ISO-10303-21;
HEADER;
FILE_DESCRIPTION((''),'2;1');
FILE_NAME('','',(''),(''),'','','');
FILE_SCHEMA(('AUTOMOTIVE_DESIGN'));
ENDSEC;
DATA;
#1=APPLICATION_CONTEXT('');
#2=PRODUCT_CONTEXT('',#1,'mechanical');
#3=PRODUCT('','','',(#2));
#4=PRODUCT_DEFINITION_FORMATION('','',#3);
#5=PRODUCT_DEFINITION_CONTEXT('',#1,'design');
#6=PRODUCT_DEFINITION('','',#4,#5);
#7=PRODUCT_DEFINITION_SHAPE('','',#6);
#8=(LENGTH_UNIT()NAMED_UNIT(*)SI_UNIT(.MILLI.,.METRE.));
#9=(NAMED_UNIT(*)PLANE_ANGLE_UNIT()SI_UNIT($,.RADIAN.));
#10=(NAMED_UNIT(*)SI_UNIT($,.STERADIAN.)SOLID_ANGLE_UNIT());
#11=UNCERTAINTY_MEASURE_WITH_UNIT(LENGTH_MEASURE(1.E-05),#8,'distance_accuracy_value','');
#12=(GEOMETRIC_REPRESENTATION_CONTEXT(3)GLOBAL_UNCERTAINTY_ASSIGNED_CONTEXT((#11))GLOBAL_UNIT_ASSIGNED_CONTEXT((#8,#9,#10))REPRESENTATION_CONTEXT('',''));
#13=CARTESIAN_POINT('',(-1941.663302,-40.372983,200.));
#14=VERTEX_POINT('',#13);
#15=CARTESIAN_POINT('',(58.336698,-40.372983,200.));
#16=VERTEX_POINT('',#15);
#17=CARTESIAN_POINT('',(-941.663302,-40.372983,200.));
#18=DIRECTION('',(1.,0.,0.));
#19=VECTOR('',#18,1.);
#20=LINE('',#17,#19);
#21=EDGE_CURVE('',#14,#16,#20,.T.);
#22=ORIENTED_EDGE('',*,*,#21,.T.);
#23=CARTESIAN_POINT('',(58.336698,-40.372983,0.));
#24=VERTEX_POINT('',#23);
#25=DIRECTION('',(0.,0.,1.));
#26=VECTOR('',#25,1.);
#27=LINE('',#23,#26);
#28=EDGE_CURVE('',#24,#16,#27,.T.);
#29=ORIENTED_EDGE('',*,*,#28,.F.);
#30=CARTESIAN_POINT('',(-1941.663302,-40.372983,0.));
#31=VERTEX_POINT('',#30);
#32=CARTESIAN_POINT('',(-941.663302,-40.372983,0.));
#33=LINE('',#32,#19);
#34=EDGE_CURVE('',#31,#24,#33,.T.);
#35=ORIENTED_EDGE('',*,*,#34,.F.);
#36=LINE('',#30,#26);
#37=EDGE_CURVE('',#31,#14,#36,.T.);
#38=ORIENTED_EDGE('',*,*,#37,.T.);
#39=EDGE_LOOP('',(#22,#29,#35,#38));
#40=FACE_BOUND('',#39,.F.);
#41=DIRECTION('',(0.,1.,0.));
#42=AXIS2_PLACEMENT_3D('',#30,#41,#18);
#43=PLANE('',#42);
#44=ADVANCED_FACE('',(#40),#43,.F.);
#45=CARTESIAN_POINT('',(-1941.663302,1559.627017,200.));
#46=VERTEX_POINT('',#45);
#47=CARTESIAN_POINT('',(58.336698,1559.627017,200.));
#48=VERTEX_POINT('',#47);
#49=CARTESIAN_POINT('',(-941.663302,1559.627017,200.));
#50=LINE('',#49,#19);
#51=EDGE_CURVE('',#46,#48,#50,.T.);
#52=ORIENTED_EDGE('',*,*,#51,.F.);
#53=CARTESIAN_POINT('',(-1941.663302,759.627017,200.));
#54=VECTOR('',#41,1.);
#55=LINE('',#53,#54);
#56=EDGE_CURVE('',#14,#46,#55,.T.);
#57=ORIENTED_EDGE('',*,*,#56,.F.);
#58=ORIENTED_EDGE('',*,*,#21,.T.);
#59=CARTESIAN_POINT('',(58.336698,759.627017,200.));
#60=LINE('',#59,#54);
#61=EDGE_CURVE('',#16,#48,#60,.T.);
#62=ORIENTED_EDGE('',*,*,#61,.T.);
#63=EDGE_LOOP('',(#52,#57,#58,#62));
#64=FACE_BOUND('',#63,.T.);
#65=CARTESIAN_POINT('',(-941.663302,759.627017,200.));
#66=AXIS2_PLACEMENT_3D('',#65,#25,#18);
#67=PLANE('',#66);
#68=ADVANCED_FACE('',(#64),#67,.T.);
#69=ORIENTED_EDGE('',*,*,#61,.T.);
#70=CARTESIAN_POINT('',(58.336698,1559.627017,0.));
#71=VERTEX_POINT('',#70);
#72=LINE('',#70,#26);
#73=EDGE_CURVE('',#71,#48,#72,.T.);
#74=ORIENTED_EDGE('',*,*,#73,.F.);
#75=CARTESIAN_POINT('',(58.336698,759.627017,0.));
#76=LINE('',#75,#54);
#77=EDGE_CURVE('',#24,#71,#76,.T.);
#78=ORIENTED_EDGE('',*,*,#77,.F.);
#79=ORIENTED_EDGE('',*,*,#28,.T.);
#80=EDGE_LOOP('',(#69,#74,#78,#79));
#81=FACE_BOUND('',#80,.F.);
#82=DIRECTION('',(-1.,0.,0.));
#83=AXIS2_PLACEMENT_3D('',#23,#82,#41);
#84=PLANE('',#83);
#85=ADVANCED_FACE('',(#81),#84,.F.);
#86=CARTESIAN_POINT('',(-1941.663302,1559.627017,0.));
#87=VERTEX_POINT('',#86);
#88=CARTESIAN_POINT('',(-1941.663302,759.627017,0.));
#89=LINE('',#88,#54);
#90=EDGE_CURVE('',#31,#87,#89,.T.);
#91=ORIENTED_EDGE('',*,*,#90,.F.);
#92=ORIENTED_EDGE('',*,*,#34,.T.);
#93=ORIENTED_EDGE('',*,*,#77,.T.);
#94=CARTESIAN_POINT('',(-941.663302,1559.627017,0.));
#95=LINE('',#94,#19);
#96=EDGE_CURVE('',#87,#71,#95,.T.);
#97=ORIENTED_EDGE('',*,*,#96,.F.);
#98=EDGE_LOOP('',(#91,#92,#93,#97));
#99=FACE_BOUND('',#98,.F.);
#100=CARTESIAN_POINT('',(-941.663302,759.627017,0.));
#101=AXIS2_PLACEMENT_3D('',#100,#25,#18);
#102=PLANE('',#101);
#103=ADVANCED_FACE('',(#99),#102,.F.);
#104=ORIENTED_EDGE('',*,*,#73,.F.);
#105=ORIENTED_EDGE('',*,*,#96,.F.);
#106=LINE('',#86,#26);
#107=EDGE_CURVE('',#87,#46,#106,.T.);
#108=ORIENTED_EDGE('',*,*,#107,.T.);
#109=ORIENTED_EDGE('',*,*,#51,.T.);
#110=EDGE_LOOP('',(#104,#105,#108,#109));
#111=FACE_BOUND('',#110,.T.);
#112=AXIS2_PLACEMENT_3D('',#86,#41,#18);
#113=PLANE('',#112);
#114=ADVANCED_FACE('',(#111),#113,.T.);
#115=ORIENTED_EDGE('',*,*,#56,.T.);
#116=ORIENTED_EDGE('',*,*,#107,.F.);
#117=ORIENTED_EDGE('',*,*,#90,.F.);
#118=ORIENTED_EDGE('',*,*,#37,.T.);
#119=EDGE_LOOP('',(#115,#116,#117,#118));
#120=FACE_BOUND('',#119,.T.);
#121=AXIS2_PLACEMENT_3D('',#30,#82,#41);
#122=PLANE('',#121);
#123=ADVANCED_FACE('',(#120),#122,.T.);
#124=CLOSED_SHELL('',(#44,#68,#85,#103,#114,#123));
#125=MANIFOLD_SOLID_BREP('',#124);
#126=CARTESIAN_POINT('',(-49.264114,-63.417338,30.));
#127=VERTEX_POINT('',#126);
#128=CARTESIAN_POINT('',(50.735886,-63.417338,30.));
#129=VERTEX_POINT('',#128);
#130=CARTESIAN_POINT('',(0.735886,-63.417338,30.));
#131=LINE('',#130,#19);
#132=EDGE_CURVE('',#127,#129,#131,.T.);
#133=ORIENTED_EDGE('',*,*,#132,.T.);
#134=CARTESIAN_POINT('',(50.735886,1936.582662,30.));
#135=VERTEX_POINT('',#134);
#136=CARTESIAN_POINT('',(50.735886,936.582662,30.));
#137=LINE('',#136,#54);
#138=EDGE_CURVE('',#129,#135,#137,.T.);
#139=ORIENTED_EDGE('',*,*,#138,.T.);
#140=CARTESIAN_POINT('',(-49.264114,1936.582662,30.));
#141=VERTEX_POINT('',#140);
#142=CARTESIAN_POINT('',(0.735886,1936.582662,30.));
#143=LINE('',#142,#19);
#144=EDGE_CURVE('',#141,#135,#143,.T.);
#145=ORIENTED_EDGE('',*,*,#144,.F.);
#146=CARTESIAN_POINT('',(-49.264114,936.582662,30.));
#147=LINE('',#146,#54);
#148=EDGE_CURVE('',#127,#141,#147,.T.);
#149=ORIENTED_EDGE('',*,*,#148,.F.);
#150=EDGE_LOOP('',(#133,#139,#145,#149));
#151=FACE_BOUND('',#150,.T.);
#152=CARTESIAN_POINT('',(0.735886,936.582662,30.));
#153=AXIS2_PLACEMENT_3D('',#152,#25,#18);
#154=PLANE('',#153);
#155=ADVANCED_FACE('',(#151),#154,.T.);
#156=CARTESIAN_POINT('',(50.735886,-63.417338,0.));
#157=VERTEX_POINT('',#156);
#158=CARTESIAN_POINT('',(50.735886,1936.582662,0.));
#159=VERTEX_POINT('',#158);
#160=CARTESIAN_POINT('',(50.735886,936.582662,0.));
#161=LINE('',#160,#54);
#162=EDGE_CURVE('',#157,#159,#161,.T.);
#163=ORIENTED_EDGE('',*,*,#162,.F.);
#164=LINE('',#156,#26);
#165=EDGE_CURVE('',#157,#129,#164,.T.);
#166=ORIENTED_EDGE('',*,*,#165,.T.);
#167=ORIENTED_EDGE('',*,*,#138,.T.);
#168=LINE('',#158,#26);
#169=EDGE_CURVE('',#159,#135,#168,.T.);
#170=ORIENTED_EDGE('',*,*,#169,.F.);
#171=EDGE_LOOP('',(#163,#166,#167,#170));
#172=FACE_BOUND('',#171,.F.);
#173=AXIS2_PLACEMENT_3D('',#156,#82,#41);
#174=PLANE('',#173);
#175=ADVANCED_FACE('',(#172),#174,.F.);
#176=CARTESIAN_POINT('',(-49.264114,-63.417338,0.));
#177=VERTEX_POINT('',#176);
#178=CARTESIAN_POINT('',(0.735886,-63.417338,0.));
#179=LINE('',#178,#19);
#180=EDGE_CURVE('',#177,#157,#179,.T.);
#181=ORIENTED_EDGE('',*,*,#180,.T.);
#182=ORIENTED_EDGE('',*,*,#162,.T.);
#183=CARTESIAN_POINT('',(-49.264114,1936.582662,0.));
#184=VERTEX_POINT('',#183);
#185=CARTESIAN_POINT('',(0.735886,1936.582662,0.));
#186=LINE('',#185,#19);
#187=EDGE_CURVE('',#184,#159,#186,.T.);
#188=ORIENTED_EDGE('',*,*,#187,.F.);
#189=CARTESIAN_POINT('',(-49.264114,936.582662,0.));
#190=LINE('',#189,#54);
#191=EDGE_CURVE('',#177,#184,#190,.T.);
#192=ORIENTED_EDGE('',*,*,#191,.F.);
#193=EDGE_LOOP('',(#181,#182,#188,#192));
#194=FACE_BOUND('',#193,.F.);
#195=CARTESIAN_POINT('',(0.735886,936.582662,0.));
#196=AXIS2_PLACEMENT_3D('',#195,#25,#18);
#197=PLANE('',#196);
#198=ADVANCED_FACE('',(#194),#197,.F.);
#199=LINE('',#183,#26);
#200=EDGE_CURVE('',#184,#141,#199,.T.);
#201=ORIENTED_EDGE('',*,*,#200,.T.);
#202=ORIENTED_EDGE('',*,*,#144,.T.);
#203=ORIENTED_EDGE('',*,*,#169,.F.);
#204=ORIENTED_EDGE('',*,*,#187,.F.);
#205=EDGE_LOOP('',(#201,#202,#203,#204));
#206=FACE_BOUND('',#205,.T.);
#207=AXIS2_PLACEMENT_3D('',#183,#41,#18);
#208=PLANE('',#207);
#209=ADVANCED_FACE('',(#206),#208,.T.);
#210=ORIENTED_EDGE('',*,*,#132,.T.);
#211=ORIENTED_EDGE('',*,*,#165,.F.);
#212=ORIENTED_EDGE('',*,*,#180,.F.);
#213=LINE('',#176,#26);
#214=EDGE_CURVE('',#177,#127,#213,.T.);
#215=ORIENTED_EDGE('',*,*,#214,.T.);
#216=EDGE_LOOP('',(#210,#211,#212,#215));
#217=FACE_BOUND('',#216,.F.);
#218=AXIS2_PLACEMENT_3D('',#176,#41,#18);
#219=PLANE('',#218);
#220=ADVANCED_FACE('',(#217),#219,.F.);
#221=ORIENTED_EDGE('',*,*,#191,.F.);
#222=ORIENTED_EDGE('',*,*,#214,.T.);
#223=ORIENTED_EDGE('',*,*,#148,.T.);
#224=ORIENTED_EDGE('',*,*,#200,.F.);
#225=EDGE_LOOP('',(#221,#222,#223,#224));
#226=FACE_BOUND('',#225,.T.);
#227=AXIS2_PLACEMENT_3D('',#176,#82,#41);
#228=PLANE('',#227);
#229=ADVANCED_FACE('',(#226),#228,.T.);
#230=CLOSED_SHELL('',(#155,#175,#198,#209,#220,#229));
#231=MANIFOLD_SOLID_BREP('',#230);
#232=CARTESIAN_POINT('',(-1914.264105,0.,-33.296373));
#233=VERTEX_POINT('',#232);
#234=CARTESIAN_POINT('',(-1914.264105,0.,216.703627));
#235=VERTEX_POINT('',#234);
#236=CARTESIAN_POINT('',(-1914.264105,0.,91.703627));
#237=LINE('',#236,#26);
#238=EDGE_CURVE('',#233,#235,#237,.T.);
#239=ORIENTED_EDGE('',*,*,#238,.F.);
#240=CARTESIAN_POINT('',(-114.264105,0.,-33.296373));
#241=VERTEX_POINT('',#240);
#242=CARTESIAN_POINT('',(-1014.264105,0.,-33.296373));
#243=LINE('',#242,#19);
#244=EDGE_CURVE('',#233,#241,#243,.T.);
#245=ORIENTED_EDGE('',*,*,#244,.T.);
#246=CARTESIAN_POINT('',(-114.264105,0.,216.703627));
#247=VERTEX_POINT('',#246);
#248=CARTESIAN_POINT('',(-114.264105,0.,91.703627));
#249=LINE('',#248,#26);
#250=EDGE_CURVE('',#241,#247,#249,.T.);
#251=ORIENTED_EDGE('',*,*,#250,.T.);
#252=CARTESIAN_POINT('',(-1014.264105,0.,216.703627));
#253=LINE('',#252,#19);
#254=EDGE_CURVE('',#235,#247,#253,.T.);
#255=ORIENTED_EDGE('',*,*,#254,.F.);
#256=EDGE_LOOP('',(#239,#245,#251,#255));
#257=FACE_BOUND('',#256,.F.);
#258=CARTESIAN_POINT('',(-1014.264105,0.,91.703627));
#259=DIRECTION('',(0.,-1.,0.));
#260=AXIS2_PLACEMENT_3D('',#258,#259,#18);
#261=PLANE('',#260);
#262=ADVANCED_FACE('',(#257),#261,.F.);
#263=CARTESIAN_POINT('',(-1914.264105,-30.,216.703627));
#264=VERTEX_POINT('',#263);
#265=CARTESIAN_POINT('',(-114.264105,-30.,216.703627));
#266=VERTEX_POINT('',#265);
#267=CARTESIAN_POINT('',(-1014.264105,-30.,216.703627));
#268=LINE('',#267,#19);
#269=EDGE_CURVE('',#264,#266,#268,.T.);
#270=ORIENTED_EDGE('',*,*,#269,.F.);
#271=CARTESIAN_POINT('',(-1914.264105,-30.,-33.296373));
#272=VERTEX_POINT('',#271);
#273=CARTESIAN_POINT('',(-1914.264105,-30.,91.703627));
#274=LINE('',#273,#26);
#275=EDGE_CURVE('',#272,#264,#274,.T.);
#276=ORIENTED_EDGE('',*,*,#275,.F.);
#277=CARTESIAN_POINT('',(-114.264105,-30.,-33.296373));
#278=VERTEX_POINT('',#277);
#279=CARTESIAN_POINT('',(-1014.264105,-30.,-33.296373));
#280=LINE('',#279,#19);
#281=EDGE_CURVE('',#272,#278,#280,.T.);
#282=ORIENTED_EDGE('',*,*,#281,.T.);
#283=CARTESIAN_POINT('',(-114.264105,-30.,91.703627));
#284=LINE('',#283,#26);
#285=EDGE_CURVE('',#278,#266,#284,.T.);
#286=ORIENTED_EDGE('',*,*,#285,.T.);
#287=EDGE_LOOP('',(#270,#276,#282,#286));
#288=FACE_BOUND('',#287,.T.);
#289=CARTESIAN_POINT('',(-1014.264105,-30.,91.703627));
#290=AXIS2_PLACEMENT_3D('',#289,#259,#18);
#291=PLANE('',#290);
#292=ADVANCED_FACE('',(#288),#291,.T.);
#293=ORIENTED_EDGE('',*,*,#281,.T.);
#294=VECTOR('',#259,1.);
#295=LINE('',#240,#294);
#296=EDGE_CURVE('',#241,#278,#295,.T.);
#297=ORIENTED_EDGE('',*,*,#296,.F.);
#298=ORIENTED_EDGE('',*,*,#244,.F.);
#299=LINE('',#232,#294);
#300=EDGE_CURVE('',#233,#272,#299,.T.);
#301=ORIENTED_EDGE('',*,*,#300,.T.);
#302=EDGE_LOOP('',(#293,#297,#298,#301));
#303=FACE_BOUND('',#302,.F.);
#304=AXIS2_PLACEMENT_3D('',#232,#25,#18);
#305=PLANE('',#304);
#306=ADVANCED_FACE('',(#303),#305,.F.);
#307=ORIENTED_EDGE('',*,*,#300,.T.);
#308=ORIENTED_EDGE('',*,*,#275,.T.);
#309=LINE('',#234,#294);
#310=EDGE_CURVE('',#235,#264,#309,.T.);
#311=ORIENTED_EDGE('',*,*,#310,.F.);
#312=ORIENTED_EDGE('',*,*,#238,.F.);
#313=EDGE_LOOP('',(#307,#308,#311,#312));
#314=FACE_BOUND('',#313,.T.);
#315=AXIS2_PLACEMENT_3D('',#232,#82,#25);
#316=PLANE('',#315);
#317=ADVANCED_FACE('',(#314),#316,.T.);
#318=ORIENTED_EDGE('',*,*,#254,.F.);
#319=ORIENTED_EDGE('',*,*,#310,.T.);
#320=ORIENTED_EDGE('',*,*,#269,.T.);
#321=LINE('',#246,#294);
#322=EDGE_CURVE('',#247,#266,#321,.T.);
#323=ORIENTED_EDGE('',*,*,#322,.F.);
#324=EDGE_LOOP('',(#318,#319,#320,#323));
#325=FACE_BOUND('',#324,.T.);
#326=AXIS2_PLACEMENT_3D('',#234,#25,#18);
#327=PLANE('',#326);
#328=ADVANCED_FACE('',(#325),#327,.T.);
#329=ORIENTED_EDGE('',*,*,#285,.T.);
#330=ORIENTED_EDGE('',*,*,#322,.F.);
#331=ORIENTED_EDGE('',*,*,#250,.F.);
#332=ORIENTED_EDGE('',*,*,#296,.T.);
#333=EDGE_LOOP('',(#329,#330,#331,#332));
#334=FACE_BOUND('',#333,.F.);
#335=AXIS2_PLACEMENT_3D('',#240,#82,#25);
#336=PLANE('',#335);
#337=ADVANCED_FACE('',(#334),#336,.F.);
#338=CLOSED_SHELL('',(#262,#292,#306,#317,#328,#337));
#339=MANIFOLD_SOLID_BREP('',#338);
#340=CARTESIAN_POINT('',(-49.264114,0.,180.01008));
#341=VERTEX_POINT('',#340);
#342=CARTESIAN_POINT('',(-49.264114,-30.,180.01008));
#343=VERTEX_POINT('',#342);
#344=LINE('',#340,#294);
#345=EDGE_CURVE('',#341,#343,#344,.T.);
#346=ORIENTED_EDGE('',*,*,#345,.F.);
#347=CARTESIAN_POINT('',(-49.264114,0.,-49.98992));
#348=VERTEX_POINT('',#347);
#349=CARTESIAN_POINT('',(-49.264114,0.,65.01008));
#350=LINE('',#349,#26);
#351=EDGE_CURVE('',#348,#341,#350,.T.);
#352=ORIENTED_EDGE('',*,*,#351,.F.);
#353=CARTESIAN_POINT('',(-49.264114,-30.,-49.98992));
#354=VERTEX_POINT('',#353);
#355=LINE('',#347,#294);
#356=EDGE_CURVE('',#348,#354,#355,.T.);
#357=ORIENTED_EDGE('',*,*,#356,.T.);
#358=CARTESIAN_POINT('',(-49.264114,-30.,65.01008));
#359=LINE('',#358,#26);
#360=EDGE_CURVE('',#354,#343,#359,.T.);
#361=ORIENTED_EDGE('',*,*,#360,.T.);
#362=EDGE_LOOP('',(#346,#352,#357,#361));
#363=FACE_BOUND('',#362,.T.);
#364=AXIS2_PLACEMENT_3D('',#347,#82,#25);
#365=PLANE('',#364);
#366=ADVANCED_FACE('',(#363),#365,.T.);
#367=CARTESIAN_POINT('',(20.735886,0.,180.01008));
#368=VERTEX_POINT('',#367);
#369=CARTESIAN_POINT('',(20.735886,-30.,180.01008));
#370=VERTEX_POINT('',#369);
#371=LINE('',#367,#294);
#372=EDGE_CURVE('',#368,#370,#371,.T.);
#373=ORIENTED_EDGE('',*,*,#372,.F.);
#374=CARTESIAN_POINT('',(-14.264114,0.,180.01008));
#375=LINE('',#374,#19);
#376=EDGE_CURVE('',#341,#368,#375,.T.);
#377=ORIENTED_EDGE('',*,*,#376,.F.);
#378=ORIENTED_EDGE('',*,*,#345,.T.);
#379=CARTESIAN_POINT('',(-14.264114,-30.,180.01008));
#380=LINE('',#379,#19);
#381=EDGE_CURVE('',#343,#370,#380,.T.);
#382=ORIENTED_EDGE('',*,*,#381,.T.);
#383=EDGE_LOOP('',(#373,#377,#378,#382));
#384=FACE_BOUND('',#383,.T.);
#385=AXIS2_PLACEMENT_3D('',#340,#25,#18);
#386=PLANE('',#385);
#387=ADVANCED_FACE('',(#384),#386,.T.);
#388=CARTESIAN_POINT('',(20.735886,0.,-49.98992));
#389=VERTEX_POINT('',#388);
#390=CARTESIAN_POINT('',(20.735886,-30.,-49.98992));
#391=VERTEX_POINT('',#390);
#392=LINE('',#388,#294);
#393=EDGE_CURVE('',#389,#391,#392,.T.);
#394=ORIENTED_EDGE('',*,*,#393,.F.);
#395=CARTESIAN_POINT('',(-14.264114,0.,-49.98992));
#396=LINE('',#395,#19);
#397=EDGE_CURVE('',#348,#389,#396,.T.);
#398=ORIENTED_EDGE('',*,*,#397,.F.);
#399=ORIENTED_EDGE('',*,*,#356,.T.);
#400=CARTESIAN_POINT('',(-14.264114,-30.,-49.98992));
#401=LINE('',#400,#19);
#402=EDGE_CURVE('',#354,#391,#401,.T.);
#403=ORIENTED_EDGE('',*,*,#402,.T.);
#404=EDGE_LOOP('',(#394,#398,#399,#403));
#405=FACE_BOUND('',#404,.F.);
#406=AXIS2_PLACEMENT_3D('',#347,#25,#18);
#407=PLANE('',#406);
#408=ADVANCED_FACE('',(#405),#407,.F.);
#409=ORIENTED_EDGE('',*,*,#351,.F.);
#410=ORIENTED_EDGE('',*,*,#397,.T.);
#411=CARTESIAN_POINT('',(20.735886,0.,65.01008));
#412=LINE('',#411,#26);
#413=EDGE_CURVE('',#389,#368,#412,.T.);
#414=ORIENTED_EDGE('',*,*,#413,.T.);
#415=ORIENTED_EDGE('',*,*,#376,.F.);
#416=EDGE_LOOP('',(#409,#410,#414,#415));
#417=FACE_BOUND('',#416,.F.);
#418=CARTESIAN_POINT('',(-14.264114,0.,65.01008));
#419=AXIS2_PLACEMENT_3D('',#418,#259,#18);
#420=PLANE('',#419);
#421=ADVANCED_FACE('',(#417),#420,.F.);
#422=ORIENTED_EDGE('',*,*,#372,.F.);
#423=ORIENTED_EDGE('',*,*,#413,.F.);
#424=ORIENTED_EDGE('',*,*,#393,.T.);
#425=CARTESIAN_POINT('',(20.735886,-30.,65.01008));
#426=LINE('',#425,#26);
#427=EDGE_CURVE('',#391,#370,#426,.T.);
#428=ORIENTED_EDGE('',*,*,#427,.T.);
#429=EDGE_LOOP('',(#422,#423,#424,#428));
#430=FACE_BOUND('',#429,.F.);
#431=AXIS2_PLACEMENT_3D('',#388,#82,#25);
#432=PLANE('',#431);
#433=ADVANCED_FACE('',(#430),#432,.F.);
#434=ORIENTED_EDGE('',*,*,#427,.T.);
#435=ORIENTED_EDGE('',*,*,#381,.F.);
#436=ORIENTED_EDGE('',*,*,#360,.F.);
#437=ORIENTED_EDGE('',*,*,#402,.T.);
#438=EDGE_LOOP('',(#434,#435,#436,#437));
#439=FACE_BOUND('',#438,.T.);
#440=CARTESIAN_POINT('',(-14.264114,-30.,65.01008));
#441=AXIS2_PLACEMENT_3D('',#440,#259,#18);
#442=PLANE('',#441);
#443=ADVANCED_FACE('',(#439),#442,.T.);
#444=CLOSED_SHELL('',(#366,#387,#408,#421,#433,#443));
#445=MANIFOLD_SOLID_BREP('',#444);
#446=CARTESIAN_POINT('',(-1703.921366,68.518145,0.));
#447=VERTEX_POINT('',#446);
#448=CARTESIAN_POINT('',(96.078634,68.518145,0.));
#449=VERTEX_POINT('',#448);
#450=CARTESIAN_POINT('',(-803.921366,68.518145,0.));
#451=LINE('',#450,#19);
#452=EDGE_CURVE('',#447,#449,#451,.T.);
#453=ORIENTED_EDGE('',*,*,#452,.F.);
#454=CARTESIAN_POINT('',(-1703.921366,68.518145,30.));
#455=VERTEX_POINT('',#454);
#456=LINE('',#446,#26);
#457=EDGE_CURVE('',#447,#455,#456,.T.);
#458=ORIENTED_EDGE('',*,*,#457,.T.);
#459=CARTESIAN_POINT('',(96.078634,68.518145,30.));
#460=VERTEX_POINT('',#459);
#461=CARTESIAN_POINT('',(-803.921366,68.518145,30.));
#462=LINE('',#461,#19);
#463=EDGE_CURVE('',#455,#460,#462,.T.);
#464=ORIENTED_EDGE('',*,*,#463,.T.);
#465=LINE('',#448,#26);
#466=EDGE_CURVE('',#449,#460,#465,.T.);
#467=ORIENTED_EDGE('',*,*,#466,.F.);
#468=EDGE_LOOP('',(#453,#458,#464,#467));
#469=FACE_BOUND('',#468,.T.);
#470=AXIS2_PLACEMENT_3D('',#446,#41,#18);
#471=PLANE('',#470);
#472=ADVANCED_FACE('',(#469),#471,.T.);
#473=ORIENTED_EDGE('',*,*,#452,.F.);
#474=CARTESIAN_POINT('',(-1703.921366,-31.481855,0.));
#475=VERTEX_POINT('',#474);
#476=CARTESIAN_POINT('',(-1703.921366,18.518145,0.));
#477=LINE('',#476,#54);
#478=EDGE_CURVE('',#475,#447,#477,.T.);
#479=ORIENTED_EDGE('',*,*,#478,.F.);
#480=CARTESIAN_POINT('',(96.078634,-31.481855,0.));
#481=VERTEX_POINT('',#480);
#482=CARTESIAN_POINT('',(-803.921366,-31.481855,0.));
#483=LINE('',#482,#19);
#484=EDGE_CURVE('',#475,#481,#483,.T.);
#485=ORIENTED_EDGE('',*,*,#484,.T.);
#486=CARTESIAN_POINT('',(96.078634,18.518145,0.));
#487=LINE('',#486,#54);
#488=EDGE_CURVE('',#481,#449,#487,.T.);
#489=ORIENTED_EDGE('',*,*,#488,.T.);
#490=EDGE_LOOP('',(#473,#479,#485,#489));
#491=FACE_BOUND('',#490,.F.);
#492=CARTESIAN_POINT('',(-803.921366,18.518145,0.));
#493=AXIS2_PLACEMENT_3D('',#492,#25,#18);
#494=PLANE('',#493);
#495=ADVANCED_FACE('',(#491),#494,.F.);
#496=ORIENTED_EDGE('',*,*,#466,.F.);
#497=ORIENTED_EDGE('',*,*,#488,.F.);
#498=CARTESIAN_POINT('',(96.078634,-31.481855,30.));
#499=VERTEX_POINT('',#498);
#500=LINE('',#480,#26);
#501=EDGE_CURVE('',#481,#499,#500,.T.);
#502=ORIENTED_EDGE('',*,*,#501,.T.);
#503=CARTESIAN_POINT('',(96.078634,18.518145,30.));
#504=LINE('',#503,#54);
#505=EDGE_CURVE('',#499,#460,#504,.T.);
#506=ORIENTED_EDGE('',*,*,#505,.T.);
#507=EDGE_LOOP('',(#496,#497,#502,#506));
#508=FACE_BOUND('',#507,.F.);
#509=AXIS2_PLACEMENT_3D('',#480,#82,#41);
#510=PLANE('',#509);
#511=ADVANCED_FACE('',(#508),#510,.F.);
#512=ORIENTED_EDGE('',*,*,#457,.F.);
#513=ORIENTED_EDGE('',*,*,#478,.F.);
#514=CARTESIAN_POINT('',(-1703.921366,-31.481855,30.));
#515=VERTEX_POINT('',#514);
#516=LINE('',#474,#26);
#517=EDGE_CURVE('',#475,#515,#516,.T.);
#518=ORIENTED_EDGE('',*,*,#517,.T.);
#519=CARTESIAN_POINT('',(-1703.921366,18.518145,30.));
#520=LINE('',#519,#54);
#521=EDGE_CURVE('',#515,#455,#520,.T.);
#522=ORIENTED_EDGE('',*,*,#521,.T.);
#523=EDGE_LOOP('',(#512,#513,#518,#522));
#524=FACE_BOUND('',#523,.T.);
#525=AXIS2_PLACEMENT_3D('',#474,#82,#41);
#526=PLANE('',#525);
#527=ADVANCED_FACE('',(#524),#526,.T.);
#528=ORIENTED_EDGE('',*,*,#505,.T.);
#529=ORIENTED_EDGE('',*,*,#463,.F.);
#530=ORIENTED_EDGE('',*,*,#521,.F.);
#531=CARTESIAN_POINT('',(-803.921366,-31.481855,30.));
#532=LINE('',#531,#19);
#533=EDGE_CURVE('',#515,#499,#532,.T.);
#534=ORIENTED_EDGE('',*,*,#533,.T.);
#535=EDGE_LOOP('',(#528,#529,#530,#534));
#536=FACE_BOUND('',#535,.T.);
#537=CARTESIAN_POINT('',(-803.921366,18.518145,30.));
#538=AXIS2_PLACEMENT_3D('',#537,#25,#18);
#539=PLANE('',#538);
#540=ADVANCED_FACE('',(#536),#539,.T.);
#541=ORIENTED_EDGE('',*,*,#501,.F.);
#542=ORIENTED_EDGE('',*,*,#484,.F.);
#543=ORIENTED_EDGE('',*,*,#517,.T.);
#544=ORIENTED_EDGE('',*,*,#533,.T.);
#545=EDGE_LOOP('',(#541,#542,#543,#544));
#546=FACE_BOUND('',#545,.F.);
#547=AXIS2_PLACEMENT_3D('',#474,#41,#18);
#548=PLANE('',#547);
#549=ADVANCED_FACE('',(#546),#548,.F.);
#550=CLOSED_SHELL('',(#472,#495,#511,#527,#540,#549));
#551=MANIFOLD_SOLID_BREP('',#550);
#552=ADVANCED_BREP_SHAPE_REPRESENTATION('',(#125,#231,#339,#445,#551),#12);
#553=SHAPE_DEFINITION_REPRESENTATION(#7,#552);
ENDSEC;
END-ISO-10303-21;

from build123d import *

# Parameters (mm, degrees)
F0_W     = 1800
F0_H     = 250
F1_DEPTH = 30
F2_W     = 100
F2_H     = 2000
F3_DEPTH = 30
F4_W     = 70
F4_H     = 230
F5_DEPTH = 30
F6_W     = 2000
F6_H     = 1600
F7_DEPTH = 200
F8_W     = 1800
F8_H     = 100
F9_DEPTH = 30


with BuildPart() as f1:
    # F0 (on Front) → F1 (new body)
    with BuildSketch(Plane.XZ):
        with Locations((-1014.264105, 91.703627)):
            Rectangle(F0_W, F0_H)
    extrude(amount=F1_DEPTH)


with BuildPart() as f3:
    # F2 (on Top) → F3 (new body)
    with BuildSketch(Plane.XY):
        with Locations((0.735886, 936.582662)):
            Rectangle(F2_W, F2_H)
    extrude(amount=F3_DEPTH)


with BuildPart() as f5:
    # F4 (on Front) → F5 (new body)
    with BuildSketch(Plane.XZ):
        with Locations((-14.264114, 65.01008)):
            Rectangle(F4_W, F4_H)
    extrude(amount=F5_DEPTH)


with BuildPart() as f7:
    # F6 (on Top) → F7 (new body)
    with BuildSketch(Plane.XY):
        with Locations((-941.663302, 759.627017)):
            Rectangle(F6_W, F6_H)
    extrude(amount=F7_DEPTH)


with BuildPart() as f9:
    # F8 (on Top) → F9 (new body)
    with BuildSketch(Plane.XY):
        with Locations((-803.921366, 18.518145)):
            Rectangle(F8_W, F8_H)
    extrude(amount=F9_DEPTH)


solid = Compound([f1.part, f3.part, f5.part, f7.part, f9.part])
